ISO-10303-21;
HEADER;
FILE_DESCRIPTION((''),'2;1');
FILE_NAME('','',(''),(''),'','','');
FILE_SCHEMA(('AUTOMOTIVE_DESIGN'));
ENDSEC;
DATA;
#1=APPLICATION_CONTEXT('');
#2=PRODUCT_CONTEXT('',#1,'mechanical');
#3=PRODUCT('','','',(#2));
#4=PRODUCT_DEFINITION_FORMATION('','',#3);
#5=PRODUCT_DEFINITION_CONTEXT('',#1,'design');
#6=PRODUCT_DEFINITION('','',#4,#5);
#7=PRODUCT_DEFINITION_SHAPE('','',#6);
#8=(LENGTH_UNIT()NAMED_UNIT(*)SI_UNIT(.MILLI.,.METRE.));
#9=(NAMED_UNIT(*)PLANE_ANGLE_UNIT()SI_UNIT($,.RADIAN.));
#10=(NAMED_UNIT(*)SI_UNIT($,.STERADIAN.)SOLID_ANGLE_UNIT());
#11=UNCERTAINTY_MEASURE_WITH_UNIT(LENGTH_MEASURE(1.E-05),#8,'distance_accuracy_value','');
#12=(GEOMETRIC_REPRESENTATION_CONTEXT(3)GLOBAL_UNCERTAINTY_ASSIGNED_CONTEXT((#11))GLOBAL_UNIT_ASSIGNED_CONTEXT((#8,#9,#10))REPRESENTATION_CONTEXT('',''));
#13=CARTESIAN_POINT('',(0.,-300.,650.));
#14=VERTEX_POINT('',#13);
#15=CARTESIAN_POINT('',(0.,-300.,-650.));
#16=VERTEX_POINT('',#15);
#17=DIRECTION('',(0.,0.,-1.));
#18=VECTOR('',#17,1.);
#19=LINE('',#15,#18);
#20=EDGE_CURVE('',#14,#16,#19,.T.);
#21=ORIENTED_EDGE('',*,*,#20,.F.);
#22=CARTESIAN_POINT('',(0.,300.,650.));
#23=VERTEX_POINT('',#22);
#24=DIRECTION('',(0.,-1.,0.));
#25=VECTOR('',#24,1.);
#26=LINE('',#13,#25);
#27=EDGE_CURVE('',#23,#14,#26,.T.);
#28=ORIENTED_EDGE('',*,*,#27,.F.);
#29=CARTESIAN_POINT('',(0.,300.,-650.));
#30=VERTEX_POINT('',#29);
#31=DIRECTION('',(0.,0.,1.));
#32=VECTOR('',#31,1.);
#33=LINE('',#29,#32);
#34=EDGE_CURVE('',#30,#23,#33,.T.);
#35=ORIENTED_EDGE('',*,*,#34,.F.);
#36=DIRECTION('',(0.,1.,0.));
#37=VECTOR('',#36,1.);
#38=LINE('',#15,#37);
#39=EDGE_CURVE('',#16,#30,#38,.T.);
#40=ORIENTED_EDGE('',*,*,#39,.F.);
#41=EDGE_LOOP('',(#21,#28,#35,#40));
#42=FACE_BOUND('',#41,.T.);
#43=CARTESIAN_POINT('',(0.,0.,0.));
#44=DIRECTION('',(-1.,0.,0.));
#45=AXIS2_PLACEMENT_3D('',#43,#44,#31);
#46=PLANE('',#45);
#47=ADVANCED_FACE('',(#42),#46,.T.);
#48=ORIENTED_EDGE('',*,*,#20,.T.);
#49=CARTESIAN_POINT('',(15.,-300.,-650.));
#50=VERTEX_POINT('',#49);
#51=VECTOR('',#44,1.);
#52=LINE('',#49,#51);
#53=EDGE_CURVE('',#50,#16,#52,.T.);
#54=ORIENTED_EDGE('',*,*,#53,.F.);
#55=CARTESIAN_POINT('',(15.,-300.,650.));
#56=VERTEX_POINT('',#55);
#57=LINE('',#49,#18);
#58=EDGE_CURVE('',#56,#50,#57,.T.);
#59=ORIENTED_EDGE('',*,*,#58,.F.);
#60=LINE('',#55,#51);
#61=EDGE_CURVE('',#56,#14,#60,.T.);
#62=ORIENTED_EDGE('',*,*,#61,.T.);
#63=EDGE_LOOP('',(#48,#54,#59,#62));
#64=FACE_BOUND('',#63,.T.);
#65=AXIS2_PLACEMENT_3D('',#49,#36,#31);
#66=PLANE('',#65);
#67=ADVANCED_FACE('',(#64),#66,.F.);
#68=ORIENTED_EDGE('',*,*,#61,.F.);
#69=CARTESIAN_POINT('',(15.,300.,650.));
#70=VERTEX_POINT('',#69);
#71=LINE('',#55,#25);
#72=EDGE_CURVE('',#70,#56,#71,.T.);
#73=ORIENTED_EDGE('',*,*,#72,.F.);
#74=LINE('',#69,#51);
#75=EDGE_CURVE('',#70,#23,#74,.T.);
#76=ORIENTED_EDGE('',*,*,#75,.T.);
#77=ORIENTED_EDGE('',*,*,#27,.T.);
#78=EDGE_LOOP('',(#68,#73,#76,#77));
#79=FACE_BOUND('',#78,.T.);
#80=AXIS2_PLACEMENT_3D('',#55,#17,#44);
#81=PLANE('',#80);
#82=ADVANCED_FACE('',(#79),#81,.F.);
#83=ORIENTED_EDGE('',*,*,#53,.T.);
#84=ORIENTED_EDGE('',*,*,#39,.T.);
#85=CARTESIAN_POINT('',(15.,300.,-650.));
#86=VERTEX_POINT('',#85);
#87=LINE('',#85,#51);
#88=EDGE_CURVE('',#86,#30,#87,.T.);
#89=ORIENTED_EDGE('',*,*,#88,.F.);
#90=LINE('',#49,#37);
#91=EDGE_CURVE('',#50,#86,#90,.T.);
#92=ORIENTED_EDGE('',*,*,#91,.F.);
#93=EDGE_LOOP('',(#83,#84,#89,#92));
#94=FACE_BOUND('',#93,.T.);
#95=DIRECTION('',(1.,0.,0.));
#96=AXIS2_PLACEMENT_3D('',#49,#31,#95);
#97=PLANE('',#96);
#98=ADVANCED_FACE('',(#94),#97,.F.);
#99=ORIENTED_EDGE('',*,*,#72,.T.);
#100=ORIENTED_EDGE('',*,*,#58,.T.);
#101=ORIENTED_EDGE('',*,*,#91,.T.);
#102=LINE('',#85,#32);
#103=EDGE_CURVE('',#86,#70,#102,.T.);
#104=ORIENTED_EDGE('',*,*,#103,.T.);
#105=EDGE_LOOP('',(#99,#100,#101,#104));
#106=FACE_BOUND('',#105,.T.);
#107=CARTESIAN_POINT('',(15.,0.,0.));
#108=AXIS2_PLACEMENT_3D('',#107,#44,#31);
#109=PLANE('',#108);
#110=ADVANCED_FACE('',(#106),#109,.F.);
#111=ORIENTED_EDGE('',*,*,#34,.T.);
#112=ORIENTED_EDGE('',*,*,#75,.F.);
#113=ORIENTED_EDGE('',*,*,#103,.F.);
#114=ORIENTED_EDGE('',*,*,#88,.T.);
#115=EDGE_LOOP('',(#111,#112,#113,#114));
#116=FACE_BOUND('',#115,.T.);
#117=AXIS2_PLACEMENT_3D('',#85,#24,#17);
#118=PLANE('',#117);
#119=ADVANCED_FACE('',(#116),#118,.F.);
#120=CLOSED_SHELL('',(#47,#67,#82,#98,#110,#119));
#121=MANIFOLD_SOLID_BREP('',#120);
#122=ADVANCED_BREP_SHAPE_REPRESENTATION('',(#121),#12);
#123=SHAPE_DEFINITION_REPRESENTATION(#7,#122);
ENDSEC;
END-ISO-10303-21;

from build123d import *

# Parameters (mm, degrees)
SKETCH1_W           = 600
SKETCH1_H           = 1300
BOSS_EXTRUDE1_DEPTH = 15


with BuildPart() as part:
    # Sketch1 → Boss-Extrude1 (new body)
    with BuildSketch(Plane.YZ):
        Rectangle(SKETCH1_W, SKETCH1_H)
    extrude(amount=BOSS_EXTRUDE1_DEPTH)


solid = part.part
